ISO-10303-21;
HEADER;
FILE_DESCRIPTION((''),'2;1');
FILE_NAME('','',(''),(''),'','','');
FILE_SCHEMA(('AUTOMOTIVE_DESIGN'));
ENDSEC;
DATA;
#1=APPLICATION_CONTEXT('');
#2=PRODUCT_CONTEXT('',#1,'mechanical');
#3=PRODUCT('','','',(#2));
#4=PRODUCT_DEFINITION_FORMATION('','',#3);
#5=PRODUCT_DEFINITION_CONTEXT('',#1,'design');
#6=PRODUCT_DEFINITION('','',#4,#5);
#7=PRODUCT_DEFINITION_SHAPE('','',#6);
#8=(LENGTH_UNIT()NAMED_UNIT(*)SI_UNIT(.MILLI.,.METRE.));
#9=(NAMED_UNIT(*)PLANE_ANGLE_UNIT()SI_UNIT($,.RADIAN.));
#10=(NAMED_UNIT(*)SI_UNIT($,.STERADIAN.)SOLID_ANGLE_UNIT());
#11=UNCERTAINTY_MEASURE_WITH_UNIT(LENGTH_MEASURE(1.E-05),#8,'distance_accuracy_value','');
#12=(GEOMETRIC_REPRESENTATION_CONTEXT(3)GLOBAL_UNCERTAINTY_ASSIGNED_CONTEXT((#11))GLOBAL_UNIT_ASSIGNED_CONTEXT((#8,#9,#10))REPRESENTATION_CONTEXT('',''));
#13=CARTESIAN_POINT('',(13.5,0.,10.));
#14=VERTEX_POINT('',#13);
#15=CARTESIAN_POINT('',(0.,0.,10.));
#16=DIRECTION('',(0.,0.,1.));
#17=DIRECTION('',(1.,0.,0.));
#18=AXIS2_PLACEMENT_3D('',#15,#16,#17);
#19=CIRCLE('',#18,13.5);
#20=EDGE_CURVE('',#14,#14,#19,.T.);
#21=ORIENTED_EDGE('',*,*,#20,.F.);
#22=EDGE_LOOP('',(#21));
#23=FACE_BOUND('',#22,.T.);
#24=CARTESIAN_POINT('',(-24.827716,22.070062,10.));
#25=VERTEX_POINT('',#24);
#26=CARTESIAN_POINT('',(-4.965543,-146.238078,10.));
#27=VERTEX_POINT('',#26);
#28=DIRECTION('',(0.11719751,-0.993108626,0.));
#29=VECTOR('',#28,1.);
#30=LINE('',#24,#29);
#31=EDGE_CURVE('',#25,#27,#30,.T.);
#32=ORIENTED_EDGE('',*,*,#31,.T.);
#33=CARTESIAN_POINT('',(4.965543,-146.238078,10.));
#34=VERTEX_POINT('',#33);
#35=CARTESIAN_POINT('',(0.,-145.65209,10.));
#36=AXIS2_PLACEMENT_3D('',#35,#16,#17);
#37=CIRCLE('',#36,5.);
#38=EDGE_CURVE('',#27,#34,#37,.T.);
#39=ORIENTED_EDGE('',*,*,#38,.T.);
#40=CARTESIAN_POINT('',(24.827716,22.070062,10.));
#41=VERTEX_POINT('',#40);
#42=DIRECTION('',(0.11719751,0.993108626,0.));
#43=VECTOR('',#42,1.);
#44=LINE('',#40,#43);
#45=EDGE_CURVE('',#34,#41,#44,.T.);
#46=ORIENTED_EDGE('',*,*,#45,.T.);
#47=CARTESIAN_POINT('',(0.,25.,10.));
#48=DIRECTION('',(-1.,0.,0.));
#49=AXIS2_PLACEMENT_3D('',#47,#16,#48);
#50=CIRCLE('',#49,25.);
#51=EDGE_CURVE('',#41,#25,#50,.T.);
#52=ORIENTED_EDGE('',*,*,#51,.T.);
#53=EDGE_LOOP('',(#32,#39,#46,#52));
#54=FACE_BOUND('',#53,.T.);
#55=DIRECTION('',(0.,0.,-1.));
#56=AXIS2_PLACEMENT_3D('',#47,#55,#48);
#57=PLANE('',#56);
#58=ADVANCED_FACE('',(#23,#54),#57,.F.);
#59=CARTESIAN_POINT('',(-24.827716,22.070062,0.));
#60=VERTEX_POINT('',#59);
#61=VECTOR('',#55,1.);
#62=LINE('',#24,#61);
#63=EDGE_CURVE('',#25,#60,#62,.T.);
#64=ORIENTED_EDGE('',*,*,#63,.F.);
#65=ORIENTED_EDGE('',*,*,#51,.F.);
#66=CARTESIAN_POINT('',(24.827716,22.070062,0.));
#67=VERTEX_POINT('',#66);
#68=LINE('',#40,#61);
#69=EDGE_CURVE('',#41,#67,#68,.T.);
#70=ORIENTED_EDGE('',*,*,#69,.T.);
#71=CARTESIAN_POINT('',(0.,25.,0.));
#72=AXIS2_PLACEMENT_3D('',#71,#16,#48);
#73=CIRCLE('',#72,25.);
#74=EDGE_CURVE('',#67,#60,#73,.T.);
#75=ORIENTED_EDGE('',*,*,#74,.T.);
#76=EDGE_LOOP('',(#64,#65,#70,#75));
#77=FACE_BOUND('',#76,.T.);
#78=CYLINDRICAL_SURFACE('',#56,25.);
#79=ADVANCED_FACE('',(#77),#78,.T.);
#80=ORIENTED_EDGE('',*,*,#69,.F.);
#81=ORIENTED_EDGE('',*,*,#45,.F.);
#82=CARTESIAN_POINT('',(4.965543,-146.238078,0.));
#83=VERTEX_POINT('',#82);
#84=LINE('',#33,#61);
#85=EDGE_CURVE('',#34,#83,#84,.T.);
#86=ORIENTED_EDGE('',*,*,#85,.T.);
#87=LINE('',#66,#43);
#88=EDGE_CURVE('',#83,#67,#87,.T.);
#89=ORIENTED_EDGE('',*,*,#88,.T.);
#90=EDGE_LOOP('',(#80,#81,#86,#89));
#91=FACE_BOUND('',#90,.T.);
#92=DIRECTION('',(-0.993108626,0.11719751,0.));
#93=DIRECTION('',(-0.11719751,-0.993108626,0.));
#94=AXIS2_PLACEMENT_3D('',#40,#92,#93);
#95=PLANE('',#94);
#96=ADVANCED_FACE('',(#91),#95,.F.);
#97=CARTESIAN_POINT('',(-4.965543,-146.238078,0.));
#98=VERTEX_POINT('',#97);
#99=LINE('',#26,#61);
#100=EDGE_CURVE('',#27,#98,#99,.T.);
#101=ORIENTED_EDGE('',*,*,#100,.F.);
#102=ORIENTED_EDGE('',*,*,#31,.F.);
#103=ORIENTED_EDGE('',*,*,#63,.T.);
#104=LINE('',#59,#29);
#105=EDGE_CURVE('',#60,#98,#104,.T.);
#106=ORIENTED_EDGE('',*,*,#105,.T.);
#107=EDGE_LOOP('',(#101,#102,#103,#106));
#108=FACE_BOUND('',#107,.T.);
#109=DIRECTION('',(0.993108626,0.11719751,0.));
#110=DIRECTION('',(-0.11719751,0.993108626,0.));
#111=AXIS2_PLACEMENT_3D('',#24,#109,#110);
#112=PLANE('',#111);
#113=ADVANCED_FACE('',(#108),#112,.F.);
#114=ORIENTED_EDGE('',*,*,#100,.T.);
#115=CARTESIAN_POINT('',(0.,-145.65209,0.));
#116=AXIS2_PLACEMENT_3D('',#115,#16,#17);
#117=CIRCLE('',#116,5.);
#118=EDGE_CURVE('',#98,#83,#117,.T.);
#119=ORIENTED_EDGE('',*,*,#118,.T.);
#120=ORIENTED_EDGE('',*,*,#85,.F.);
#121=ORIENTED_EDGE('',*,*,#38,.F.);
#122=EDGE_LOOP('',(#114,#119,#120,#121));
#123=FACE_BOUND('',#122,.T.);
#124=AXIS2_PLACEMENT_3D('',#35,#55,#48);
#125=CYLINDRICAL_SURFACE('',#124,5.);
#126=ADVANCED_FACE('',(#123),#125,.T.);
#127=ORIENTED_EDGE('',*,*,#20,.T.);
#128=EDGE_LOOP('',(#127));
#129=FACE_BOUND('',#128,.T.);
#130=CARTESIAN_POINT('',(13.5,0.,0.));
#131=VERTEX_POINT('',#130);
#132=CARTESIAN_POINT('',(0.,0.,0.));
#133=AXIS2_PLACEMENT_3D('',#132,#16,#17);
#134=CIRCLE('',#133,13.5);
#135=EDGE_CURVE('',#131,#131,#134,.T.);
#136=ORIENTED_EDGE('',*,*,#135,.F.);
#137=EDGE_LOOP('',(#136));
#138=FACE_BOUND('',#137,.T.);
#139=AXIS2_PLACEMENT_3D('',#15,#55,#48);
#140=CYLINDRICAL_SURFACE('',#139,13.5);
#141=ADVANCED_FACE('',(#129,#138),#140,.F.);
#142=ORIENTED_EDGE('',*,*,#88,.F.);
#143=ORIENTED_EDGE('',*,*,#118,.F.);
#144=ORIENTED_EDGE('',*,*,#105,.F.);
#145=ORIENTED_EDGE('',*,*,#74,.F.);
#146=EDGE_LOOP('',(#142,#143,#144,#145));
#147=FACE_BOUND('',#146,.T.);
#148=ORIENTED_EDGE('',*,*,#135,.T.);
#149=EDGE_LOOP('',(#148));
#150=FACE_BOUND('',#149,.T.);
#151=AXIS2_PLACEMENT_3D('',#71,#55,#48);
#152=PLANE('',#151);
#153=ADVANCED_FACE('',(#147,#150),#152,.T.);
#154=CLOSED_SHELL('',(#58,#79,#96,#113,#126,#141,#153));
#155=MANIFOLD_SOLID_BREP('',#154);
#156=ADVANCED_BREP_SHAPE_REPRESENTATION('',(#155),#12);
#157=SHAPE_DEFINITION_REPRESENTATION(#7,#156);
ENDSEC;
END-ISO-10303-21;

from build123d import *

# Parameters (mm, degrees)
IZIM1_R                     = 13.5
Y_KSEKLIK_EKSTR_ZYON1_DEPTH = 10


with BuildPart() as part:
    # Çizim1 → Yükseklik-Ekstrüzyon1 (new body)
    with BuildSketch(Plane.XY):
        with BuildLine():
            Line((24.827715658, 22.070062253), (4.965543132, -146.238077514))
            ThreePointArc((4.965543132, -146.238077514), (0, -150.652089965), (-4.965543132, -146.238077514))
            Line((-4.965543132, -146.238077514), (-24.827715658, 22.070062253))
            ThreePointArc((-24.827715658, 22.070062253), (0, 50), (24.827715658, 22.070062253))
        make_face()
        Circle(IZIM1_R, mode=Mode.SUBTRACT)
    extrude(amount=Y_KSEKLIK_EKSTR_ZYON1_DEPTH)


solid = part.part
